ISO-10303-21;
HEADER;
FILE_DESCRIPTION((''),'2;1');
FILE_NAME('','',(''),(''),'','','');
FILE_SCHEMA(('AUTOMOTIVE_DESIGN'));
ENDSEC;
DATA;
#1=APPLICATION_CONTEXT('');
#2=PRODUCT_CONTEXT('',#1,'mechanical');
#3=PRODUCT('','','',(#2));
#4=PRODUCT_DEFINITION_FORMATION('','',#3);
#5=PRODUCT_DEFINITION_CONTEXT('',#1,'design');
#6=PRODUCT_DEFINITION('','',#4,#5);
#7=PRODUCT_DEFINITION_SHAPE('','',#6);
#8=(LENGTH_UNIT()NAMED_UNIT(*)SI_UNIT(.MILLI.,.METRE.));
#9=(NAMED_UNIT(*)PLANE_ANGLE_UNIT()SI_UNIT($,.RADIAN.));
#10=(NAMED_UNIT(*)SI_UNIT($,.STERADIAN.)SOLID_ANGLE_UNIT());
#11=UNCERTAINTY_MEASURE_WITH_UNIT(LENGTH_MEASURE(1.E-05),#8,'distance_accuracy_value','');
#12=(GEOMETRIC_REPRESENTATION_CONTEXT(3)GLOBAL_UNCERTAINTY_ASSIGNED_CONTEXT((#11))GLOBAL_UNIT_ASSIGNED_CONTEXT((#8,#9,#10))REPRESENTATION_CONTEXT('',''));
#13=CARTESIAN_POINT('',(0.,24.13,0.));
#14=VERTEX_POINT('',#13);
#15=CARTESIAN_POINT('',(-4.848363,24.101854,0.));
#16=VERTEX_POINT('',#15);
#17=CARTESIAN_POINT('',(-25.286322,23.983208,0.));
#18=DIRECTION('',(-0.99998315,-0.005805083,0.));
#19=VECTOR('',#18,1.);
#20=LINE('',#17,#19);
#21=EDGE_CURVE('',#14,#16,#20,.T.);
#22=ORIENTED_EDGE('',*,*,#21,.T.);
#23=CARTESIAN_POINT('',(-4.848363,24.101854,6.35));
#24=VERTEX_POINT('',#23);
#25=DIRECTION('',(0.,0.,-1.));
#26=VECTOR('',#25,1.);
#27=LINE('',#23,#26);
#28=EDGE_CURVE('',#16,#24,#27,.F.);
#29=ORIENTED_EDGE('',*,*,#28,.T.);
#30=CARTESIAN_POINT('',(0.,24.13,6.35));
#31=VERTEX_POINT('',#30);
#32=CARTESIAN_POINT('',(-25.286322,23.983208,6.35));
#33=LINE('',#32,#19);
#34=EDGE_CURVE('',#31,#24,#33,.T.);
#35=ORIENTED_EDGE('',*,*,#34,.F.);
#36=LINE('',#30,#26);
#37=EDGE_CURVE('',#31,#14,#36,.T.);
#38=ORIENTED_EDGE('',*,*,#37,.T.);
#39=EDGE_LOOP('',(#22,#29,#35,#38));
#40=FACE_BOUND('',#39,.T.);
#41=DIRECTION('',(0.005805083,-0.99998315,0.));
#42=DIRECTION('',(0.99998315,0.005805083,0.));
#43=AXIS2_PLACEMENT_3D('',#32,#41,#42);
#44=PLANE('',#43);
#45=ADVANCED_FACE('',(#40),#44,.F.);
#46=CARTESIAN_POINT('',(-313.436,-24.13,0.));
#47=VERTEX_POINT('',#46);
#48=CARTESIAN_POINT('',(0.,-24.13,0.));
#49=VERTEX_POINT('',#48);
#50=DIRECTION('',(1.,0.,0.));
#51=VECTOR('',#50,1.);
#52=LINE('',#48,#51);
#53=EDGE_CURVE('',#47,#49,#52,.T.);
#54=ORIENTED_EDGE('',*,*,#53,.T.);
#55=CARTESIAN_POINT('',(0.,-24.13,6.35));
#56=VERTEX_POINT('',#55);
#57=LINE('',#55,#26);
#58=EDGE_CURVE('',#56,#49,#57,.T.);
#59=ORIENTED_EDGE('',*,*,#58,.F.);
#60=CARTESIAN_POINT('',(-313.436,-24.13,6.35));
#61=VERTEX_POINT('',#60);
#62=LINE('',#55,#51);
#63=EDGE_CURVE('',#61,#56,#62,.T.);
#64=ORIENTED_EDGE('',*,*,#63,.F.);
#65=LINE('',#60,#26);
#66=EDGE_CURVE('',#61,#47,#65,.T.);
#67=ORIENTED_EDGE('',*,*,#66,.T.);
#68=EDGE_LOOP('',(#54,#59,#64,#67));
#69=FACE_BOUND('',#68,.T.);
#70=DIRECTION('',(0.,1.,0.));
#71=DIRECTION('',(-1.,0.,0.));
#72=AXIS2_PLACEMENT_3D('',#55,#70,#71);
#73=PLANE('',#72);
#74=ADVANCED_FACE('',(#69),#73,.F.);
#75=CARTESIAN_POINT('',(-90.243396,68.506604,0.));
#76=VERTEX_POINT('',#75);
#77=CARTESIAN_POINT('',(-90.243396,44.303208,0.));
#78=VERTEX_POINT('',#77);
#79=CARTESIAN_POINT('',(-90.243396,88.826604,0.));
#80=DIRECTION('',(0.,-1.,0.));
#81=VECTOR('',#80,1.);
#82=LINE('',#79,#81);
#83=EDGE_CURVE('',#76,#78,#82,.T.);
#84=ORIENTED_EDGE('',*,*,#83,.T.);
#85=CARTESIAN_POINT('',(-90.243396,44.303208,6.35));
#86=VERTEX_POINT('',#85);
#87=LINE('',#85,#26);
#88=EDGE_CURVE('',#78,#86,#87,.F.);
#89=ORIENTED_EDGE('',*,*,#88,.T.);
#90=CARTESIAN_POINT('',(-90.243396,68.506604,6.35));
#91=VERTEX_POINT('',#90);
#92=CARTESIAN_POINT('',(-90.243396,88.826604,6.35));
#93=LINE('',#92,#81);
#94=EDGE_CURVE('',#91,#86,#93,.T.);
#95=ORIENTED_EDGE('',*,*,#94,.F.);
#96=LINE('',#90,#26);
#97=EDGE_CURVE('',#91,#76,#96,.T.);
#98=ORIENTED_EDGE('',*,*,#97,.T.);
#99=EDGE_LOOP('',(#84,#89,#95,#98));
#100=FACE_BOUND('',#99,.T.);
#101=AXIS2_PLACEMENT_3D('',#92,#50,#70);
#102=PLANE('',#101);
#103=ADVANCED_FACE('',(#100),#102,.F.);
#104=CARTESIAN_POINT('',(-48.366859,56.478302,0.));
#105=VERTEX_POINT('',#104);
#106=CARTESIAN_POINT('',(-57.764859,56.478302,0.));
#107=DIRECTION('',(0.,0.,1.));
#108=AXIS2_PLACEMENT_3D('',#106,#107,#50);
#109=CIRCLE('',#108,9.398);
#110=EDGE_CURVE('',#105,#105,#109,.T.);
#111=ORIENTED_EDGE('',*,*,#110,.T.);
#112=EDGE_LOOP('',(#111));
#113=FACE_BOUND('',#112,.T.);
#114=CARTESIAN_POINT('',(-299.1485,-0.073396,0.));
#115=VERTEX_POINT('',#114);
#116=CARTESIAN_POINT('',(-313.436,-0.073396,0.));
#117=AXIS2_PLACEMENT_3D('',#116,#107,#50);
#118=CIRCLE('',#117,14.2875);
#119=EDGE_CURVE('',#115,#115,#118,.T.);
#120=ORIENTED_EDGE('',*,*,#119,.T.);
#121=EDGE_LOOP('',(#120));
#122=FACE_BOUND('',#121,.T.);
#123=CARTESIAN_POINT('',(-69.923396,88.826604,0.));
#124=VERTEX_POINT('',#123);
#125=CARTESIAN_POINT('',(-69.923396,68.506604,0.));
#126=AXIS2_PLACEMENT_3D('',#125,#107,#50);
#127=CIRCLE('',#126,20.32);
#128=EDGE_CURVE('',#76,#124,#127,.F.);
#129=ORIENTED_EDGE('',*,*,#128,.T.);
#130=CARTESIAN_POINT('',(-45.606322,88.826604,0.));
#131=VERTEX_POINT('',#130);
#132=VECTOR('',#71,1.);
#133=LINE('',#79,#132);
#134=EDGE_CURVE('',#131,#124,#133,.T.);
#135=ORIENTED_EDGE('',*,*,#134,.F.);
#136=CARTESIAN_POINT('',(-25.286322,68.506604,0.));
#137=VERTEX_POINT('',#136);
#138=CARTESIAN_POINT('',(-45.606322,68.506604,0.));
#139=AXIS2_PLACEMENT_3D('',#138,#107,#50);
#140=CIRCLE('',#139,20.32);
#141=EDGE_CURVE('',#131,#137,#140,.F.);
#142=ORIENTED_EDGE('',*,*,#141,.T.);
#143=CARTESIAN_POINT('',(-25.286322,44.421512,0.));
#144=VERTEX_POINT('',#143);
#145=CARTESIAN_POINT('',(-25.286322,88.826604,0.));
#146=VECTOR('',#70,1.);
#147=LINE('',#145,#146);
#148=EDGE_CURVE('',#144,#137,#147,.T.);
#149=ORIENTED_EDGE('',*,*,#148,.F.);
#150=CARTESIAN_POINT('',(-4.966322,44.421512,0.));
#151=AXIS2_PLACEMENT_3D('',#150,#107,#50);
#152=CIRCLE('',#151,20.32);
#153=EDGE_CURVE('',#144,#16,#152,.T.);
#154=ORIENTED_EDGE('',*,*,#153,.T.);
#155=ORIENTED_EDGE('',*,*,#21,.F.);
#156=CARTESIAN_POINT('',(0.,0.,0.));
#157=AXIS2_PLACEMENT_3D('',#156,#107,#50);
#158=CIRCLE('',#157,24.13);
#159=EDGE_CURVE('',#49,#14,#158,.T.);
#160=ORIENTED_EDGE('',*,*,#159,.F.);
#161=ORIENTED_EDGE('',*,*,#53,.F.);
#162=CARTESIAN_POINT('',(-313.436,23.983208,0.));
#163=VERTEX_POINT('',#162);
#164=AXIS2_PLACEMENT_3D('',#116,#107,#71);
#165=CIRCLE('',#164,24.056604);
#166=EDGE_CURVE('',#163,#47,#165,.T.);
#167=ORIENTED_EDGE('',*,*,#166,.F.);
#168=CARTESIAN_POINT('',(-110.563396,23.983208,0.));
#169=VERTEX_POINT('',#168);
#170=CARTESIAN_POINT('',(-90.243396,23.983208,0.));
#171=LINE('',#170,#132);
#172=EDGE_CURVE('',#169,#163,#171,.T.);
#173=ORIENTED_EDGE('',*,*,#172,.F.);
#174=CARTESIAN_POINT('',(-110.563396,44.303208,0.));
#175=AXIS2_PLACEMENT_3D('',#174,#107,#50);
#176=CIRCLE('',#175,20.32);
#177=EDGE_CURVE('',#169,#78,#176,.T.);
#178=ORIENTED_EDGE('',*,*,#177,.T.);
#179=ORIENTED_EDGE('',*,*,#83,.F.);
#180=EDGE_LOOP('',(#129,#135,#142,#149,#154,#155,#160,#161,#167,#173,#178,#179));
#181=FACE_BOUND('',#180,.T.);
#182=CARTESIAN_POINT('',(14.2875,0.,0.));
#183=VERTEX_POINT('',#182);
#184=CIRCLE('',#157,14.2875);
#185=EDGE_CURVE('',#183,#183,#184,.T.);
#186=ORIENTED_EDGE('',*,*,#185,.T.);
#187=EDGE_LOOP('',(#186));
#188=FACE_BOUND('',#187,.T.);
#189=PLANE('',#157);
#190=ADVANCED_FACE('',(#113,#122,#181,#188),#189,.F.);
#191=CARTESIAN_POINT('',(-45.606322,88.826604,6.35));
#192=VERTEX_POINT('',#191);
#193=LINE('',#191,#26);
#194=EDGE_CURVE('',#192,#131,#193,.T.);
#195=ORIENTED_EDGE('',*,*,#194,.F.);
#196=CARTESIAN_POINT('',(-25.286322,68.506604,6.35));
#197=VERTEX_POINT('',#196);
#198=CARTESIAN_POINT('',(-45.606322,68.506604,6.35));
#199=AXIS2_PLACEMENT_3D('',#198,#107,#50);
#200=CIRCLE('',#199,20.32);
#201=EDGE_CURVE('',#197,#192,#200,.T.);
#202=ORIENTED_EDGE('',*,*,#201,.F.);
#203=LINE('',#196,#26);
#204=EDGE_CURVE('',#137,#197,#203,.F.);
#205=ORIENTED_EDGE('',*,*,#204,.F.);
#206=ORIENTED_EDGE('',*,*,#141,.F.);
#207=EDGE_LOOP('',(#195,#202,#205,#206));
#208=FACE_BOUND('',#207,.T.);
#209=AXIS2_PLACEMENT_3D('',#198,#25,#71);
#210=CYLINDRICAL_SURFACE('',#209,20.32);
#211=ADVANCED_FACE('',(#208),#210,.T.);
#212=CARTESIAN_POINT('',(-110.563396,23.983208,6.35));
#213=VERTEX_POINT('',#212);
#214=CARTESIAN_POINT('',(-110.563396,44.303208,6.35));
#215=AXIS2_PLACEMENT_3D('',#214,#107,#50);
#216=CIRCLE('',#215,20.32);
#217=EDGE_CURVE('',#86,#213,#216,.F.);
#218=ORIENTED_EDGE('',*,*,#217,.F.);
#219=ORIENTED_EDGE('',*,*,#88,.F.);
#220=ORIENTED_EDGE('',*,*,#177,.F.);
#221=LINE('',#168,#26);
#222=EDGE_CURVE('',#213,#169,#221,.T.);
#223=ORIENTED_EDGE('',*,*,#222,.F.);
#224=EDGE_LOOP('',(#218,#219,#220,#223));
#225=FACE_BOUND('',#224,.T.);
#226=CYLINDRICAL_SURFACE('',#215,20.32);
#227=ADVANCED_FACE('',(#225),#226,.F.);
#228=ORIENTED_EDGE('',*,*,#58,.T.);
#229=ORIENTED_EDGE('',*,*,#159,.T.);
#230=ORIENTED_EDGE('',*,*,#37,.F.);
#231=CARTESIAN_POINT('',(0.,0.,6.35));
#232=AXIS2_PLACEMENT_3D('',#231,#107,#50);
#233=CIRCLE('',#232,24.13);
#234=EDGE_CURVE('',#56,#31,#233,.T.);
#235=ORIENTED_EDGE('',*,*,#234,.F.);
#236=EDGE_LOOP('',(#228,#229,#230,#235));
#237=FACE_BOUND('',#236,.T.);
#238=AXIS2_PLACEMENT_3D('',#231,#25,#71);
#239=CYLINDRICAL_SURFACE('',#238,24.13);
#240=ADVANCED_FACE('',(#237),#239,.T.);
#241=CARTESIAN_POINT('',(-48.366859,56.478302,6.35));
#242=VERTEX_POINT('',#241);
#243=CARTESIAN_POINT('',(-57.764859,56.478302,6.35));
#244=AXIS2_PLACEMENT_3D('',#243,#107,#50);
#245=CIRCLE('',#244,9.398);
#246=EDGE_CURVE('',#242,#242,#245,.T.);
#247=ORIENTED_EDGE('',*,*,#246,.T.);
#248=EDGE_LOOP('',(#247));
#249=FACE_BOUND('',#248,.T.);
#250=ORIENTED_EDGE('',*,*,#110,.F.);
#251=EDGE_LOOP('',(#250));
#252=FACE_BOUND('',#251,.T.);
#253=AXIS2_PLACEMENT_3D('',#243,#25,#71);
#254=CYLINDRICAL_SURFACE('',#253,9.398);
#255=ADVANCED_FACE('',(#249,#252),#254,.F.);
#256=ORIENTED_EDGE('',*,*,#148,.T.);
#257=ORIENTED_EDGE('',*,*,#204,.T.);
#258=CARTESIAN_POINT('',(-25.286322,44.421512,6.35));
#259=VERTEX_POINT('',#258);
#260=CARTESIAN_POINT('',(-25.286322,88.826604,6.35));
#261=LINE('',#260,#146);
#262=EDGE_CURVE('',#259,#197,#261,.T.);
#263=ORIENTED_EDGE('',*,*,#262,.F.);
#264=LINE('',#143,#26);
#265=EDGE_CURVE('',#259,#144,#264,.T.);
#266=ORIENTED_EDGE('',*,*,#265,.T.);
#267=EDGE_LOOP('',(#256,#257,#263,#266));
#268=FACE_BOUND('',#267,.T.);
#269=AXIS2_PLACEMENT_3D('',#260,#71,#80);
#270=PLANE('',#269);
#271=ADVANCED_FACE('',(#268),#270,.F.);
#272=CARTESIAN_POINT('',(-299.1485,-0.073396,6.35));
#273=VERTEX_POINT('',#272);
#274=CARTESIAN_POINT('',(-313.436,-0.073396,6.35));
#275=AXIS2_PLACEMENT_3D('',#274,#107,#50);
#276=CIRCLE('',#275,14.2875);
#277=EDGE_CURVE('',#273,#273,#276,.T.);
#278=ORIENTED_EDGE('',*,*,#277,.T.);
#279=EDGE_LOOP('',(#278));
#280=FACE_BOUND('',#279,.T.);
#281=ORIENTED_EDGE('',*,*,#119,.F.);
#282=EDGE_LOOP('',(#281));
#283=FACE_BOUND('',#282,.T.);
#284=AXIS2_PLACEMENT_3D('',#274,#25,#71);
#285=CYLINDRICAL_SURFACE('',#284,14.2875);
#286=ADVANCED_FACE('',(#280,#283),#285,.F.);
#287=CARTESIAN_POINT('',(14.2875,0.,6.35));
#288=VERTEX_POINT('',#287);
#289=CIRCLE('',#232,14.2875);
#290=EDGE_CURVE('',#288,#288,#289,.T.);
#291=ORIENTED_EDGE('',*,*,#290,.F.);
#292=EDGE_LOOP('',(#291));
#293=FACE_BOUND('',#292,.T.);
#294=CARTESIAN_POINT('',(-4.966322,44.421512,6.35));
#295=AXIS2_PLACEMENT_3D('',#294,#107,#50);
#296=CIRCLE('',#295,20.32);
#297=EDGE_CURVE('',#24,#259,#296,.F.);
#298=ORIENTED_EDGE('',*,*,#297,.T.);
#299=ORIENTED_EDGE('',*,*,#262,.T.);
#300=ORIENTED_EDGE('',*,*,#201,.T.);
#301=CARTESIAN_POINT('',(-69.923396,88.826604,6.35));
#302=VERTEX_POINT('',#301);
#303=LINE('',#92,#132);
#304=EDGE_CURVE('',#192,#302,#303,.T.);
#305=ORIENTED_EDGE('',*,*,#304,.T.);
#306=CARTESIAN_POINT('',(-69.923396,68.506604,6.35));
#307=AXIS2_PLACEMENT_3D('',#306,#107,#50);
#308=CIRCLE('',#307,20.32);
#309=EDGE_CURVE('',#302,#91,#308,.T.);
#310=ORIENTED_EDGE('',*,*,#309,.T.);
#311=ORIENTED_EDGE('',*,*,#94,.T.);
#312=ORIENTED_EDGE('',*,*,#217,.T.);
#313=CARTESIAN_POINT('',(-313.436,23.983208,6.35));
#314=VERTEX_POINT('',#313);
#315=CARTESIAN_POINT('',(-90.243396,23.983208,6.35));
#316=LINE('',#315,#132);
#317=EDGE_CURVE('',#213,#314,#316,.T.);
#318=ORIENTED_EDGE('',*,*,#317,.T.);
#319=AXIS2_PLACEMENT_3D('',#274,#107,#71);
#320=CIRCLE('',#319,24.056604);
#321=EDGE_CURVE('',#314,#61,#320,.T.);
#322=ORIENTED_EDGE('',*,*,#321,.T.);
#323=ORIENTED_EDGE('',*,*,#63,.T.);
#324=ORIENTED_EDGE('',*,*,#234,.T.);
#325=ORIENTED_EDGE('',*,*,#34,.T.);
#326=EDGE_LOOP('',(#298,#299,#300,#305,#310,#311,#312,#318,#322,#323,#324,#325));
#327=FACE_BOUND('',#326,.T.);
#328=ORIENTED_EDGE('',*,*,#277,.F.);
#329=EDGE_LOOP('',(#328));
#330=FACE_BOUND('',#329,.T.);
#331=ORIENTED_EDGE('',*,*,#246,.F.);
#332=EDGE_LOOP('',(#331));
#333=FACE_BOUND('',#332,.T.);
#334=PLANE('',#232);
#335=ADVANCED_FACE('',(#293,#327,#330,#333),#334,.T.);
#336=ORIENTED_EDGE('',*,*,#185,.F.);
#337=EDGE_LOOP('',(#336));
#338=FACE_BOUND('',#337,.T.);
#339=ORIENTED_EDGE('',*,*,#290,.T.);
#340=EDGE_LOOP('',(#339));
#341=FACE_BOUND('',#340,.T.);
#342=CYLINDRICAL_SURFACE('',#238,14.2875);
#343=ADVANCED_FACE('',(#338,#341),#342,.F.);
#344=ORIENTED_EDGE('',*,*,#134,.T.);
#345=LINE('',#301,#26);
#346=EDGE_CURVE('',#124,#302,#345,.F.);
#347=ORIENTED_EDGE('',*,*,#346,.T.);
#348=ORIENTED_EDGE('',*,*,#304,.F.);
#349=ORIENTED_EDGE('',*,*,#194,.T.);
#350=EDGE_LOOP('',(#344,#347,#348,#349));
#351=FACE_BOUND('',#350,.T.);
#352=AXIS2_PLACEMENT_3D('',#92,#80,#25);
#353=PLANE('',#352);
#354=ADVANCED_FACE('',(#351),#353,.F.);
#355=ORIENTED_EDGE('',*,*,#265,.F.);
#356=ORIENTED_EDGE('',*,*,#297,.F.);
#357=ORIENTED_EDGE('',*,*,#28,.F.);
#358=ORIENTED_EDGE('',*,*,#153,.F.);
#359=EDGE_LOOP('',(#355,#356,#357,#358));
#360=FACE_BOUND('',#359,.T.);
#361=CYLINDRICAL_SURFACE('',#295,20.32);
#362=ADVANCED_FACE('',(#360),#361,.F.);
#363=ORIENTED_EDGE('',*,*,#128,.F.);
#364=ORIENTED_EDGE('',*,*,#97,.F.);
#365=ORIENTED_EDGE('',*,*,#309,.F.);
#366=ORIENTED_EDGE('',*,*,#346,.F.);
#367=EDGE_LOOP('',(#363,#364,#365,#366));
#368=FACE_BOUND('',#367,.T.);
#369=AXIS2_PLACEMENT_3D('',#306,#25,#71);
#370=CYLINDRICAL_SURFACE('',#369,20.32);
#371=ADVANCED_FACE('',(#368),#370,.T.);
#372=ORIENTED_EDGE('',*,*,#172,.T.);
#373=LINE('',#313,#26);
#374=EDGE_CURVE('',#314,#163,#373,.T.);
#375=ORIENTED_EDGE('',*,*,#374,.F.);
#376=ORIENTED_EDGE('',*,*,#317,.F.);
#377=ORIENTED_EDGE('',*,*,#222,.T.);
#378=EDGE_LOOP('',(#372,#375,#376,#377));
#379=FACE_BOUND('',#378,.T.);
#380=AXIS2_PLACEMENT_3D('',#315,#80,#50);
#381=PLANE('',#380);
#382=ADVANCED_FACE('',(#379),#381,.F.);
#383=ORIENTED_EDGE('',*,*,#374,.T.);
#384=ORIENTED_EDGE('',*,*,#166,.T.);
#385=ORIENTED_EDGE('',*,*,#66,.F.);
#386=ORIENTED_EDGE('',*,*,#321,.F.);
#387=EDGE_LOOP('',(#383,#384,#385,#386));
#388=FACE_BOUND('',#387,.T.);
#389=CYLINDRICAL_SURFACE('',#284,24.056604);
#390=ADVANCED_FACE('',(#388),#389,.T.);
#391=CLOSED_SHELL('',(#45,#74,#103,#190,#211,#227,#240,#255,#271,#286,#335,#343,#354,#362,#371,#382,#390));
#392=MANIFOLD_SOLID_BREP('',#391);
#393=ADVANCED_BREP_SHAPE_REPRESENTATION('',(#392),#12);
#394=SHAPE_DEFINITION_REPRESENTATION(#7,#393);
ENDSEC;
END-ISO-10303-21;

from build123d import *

# Parameters (mm, degrees)
SKETCH1_R           = 14.2875
SKETCH1_R_2         = 9.398
BOSS_EXTRUDE1_DEPTH = 6.35
FILLET1_R           = 20.32
FILLET4_R           = 20.32
FILLET5_R           = 20.32
FILLET6_R           = 20.32


with BuildPart() as part:
    # Sketch1 → Boss-Extrude1 (new body)
    with BuildSketch(Plane.XY):
        with BuildLine():
            Line((0, -24.13), (-313.436, -24.13))
            ThreePointArc((-313.436, -24.13), (-337.49260416, -0.07339584), (-313.436, 23.98320832))
            Line((-313.436, 23.98320832), (-90.24339584, 23.98320832))
            Line((-90.24339584, 23.98320832), (-90.24339584, 88.82660416))
            Line((-90.24339584, 88.82660416), (-25.286322176, 88.82660416))
            Line((-25.286322176, 88.82660416), (-25.286322176, 23.98320832))
            Line((-25.286322176, 23.98320832), (0, 24.13))
            ThreePointArc((0, 24.13), (24.13, 0), (0, -24.13))
        make_face()
        with Locations((-313.436, -0.07339584)):
            Circle(SKETCH1_R, mode=Mode.SUBTRACT)
        Circle(SKETCH1_R, mode=Mode.SUBTRACT)
        with Locations((-57.764858946, 56.47830208)):
            Circle(SKETCH1_R_2, mode=Mode.SUBTRACT)
    extrude(amount=BOSS_EXTRUDE1_DEPTH)

    # Fillet1
    fillet1_edges = [part.edges().sort_by_distance(p)[0] for p in [
        (-90.24339584, 23.98320832, 3.175),
    ]]
    fillet(fillet1_edges, radius=FILLET1_R)

    # Fillet4
    fillet4_edges = [part.edges().sort_by_distance(p)[0] for p in [
        (-25.286322176, 23.98320832, 3.175),
    ]]
    fillet(fillet4_edges, radius=FILLET4_R)

    # Fillet5
    fillet5_edges = [part.edges().sort_by_distance(p)[0] for p in [
        (-25.286322176, 88.82660416, 3.175),
    ]]
    fillet(fillet5_edges, radius=FILLET5_R)

    # Fillet6
    fillet6_edges = [part.edges().sort_by_distance(p)[0] for p in [
        (-90.24339584, 88.82660416, 3.175),
    ]]
    fillet(fillet6_edges, radius=FILLET6_R)


solid = part.part
